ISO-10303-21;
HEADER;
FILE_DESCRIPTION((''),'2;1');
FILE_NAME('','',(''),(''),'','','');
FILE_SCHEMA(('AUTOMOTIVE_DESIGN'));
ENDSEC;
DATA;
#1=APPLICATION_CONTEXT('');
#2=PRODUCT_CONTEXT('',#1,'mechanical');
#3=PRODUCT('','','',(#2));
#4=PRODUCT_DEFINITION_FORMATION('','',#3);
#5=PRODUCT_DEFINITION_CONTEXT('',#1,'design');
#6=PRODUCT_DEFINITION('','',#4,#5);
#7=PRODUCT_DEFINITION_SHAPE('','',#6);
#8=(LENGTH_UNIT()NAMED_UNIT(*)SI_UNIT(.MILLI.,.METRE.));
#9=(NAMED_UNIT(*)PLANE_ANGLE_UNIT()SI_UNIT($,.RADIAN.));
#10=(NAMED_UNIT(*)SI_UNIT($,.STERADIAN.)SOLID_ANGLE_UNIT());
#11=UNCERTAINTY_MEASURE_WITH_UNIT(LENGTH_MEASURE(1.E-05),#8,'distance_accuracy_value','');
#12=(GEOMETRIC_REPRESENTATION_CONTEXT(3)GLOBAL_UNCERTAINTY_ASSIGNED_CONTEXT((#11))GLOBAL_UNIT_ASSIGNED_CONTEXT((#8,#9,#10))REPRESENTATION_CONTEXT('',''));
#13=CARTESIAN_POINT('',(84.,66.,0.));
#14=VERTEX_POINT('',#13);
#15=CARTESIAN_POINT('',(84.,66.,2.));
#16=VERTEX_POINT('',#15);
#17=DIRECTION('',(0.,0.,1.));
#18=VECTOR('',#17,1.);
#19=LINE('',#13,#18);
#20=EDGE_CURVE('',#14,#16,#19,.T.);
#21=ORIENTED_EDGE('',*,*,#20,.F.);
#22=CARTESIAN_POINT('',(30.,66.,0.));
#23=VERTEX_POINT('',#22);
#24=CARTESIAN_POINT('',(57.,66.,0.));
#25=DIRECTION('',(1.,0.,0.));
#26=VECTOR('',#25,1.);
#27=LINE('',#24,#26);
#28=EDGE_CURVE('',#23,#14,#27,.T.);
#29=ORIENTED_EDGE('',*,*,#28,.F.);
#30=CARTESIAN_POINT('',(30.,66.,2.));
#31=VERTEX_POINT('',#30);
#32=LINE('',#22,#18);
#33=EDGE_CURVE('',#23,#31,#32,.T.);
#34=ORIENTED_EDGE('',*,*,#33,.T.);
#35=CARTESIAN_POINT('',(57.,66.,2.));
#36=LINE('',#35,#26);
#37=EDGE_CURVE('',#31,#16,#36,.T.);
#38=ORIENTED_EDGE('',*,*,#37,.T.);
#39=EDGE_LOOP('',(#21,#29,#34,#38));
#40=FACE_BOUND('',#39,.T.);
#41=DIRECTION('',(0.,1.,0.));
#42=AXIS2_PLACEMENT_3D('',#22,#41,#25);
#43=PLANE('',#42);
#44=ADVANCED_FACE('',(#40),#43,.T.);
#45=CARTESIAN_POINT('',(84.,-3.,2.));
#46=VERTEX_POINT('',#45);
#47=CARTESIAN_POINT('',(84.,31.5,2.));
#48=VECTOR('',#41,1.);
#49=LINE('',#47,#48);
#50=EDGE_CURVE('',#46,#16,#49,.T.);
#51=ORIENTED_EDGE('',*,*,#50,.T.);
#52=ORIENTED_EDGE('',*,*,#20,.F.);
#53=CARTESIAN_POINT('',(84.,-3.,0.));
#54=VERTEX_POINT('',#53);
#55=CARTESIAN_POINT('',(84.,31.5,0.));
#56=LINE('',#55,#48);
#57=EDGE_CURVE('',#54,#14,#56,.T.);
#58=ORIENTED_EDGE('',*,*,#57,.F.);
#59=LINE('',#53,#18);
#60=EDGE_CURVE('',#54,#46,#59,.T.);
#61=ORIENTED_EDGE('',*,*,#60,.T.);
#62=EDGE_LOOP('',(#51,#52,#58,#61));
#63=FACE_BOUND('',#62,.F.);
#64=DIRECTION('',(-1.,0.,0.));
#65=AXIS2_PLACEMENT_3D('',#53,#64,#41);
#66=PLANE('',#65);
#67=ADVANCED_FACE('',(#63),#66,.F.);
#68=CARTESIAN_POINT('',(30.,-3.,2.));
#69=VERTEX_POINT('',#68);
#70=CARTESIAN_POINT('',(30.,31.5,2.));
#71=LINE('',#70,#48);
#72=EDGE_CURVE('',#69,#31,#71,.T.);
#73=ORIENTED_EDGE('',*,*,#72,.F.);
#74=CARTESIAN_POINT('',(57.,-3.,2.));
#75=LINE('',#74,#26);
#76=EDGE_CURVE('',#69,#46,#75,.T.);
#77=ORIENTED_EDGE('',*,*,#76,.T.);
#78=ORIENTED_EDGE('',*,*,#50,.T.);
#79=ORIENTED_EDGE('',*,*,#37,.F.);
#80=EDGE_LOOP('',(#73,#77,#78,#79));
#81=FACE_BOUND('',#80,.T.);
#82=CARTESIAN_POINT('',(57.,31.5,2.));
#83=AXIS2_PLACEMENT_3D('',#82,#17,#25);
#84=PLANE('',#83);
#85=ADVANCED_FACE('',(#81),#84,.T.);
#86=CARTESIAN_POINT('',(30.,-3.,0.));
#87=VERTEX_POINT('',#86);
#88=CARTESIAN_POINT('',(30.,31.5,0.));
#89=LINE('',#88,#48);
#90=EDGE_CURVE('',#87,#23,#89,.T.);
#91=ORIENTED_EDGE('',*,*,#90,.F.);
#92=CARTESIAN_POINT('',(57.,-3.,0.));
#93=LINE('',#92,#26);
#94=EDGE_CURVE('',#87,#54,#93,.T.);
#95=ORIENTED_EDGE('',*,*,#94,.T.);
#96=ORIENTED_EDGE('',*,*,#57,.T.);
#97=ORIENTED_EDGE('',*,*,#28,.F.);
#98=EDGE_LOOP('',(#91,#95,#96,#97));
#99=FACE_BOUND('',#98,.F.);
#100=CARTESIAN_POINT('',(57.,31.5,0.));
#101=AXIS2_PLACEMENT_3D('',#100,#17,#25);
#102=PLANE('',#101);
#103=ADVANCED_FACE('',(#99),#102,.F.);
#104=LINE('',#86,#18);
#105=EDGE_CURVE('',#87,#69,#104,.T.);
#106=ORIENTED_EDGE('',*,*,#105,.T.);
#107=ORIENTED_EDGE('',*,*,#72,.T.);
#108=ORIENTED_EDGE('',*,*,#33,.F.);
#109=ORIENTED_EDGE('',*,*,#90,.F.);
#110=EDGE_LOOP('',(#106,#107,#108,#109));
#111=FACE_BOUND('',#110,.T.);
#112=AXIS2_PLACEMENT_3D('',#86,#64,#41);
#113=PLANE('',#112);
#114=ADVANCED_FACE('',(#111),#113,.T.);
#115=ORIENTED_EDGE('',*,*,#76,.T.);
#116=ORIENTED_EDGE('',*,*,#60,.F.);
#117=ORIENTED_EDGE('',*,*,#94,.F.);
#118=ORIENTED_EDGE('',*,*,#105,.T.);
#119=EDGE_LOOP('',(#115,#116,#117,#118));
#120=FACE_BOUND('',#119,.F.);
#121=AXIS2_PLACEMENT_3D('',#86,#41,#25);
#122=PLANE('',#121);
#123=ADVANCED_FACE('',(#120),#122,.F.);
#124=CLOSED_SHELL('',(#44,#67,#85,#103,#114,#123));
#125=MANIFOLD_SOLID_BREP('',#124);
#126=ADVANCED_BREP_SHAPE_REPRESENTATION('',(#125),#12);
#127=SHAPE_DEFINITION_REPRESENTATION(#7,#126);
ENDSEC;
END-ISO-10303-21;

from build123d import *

# Parameters (mm, degrees)
SKETCH_W  = 54
SKETCH_H  = 69
PAD_DEPTH = 2


with BuildPart() as part:
    # Sketch → Pad (new body)
    with BuildSketch(Plane.XY):
        with Locations((57, 31.5)):
            Rectangle(SKETCH_W, SKETCH_H)
    extrude(amount=PAD_DEPTH)


solid = part.part
